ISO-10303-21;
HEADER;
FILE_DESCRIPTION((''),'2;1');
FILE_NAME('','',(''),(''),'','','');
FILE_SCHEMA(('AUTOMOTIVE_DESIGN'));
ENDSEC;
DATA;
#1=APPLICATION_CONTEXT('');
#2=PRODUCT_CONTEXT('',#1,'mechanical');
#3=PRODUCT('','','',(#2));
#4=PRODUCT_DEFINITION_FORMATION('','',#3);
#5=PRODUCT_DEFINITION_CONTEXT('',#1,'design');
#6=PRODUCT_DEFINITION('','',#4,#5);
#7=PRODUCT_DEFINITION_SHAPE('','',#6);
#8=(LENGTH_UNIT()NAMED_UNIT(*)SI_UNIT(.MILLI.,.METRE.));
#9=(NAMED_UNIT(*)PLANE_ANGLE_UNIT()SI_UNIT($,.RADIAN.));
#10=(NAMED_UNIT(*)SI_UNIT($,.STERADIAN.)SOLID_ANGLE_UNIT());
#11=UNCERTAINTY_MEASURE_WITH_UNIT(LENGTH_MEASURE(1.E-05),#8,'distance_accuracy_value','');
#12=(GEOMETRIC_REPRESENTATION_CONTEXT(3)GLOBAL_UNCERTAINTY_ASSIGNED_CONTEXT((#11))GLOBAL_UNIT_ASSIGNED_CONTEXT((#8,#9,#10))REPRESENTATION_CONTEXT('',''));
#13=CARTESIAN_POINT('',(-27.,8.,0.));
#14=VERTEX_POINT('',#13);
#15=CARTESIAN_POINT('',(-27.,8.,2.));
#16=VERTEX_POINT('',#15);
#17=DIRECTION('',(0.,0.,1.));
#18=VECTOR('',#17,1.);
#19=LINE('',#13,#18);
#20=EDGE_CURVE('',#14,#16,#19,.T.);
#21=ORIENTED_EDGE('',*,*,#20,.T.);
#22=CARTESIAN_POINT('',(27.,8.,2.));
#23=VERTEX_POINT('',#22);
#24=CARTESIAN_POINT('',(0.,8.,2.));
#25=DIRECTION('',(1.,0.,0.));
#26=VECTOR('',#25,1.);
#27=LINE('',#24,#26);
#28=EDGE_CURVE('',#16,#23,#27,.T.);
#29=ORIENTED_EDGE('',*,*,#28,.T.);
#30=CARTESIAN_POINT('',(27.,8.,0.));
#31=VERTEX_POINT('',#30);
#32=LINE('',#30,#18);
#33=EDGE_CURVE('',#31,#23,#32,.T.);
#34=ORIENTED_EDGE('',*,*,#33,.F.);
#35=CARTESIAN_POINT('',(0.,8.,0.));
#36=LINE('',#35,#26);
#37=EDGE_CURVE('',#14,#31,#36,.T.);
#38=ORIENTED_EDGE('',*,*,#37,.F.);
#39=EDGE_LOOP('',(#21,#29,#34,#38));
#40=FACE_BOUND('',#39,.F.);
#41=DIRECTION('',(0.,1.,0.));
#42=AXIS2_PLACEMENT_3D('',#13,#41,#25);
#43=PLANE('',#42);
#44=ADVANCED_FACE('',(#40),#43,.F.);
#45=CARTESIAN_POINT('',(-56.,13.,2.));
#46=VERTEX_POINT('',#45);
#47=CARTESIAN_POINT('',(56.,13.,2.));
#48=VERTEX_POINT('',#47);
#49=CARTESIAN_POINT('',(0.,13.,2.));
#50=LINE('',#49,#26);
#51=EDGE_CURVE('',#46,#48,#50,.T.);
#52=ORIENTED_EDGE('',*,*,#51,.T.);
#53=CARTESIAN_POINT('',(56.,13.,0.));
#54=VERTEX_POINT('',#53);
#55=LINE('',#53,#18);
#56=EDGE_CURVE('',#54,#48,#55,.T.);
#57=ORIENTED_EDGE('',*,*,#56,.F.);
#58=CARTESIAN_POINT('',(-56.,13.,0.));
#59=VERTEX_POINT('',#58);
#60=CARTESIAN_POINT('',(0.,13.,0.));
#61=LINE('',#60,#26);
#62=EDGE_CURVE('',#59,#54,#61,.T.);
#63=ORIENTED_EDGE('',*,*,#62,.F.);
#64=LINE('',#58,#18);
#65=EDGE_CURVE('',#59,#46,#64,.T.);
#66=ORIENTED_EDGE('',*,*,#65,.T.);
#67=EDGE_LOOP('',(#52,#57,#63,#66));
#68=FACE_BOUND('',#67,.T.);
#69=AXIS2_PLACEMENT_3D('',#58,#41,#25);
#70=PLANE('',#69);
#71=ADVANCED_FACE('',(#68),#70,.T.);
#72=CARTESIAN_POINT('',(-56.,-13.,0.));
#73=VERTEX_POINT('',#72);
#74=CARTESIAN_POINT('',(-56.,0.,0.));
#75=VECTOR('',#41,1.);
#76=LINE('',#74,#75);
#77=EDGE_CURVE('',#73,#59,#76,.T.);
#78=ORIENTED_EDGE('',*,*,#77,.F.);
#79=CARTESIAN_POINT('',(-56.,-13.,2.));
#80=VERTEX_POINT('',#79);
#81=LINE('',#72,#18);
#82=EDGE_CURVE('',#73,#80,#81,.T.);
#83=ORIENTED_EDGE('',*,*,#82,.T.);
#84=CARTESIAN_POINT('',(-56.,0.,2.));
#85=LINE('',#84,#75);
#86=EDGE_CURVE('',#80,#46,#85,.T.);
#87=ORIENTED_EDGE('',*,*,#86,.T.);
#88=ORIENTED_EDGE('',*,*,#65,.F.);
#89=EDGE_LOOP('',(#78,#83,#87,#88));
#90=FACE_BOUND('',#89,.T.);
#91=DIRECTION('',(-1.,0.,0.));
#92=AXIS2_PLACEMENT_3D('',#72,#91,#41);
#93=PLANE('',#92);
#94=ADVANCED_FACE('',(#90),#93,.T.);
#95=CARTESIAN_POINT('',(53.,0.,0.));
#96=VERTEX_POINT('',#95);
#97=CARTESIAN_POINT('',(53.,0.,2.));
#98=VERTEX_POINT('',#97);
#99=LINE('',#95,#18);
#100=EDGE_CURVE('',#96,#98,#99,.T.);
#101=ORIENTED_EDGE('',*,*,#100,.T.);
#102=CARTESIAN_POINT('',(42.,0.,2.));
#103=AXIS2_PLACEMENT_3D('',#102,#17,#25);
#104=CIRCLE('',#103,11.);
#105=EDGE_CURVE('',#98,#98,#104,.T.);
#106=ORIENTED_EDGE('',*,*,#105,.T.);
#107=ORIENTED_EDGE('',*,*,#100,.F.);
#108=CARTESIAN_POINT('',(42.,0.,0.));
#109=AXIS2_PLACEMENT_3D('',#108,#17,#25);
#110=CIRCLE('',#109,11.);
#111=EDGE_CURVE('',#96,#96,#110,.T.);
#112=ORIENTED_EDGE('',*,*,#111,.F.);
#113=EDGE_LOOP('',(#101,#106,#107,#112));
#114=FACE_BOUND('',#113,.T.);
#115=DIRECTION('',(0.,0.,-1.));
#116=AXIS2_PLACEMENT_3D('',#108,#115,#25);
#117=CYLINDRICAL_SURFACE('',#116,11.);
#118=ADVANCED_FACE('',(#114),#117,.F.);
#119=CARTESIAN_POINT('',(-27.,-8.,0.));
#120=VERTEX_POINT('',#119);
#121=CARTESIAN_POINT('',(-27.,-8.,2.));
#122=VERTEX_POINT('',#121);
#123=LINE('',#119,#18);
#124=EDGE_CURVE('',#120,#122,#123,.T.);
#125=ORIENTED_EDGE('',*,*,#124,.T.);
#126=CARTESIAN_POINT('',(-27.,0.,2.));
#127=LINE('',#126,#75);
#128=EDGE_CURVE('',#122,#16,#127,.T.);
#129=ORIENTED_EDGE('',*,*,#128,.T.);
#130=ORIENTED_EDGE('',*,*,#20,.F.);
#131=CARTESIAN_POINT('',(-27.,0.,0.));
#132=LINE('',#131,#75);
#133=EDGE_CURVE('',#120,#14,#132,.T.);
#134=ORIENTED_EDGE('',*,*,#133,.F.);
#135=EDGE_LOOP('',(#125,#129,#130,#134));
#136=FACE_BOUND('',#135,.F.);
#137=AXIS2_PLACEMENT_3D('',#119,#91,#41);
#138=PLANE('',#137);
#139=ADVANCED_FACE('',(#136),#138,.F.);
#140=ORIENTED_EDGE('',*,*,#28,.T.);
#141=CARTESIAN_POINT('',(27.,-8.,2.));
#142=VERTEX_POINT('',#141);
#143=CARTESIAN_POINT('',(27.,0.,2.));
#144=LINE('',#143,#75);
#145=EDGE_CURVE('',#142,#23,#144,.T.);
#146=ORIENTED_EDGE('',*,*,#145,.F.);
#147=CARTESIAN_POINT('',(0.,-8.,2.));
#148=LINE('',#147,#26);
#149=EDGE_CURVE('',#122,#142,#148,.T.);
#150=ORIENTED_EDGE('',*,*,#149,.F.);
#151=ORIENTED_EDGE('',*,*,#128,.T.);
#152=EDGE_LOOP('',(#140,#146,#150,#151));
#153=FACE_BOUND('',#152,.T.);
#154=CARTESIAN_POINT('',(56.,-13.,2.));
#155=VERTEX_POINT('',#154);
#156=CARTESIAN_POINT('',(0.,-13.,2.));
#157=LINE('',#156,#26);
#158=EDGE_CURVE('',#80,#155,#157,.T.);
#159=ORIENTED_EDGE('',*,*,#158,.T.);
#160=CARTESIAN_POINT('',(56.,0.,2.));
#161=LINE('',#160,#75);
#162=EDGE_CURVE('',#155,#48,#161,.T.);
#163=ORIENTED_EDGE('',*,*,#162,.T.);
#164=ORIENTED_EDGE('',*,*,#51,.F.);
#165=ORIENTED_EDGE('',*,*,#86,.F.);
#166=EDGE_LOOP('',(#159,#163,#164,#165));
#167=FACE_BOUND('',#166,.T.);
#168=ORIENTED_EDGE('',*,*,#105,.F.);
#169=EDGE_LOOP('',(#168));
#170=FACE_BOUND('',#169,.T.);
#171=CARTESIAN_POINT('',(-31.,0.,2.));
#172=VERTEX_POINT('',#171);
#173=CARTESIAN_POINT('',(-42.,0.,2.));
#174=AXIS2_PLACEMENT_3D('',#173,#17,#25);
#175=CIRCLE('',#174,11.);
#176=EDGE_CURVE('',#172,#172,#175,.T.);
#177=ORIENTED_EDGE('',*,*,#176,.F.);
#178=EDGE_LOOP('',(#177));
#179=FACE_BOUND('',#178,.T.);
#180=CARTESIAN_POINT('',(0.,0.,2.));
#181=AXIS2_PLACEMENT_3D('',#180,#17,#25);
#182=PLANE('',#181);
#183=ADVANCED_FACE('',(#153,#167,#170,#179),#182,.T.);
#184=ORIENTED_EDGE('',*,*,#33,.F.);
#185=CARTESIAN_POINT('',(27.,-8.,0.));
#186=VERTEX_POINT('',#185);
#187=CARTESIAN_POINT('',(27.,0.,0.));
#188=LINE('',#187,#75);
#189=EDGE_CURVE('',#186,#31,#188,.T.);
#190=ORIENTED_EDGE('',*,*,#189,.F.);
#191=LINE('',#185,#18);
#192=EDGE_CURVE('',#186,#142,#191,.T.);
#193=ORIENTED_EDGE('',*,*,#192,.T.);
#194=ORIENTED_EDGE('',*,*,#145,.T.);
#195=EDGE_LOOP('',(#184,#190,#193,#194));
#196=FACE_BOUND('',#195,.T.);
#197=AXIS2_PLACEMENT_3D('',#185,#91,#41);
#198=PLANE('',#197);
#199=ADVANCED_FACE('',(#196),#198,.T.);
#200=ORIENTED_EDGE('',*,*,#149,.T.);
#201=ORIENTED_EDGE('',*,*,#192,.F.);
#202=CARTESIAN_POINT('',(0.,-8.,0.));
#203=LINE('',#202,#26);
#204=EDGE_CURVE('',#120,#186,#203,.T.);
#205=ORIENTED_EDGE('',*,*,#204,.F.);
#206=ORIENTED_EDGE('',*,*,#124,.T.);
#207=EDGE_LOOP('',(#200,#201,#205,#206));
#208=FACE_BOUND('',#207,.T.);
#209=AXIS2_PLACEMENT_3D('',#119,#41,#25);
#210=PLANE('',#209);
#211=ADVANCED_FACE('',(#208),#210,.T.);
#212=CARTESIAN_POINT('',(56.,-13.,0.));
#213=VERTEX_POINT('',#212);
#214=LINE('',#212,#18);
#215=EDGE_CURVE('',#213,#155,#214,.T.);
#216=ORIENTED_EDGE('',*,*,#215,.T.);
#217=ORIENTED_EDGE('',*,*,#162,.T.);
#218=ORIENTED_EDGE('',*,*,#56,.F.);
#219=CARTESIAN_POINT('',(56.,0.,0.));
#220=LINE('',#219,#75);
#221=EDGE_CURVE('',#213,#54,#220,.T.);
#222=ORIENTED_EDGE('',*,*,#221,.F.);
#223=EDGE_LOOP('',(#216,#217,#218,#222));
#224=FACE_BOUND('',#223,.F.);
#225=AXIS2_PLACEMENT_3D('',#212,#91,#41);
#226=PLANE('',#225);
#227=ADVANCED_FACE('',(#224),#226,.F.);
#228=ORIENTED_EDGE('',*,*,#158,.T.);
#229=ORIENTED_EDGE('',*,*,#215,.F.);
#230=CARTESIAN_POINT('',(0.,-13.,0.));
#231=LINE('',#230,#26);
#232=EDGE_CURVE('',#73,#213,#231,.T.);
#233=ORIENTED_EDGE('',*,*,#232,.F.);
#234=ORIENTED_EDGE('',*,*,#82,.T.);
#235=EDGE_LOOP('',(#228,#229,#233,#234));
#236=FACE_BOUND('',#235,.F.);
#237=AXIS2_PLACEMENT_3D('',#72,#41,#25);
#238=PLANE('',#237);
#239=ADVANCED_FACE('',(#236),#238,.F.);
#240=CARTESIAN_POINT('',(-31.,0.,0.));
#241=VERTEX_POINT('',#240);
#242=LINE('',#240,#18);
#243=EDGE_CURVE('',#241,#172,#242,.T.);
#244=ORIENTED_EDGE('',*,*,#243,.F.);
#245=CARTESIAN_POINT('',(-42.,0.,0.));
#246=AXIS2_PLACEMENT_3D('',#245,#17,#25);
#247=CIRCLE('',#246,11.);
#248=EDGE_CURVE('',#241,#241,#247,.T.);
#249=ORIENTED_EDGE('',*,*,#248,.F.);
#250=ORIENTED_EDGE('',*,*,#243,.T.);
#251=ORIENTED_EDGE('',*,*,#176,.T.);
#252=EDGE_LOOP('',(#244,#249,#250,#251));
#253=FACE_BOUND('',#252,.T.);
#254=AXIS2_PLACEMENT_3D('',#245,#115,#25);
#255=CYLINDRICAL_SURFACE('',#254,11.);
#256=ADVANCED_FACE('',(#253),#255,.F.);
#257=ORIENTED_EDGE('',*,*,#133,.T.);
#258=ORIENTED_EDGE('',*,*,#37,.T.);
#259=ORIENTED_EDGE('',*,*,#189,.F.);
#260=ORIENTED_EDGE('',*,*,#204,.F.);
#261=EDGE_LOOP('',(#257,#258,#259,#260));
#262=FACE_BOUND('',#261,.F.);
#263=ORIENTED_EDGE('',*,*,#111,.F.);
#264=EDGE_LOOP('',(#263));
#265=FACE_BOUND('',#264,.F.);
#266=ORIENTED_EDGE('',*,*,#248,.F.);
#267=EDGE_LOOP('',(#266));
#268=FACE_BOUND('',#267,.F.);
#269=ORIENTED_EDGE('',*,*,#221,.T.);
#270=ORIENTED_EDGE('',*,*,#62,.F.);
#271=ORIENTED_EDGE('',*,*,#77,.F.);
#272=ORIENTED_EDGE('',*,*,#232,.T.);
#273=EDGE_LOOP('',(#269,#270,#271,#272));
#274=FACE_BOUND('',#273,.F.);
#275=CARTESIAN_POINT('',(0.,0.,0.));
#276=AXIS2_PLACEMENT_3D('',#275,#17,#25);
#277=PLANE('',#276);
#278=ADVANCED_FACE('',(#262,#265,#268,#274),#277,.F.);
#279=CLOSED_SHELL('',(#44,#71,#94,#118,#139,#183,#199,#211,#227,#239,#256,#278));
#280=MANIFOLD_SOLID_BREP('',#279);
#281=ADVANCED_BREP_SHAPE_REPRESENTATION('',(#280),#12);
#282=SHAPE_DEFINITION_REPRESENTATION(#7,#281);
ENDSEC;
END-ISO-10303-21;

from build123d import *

# Parameters (mm, degrees)
F0_W     = 112
F0_H     = 26
F0_R     = 11
F0_W_2   = 54
F0_H_2   = 16
F1_DEPTH = 2


with BuildPart() as f1:
    # F0 (on Top) → F1 (new body)
    with BuildSketch(Plane.XY):
        Rectangle(F0_W, F0_H)
        with Locations((-42, 0)):
            Circle(F0_R, mode=Mode.SUBTRACT)
        Rectangle(F0_W_2, F0_H_2, mode=Mode.SUBTRACT)
        with Locations((42, 0)):
            Circle(F0_R, mode=Mode.SUBTRACT)
    extrude(amount=F1_DEPTH)


solid = f1.part
